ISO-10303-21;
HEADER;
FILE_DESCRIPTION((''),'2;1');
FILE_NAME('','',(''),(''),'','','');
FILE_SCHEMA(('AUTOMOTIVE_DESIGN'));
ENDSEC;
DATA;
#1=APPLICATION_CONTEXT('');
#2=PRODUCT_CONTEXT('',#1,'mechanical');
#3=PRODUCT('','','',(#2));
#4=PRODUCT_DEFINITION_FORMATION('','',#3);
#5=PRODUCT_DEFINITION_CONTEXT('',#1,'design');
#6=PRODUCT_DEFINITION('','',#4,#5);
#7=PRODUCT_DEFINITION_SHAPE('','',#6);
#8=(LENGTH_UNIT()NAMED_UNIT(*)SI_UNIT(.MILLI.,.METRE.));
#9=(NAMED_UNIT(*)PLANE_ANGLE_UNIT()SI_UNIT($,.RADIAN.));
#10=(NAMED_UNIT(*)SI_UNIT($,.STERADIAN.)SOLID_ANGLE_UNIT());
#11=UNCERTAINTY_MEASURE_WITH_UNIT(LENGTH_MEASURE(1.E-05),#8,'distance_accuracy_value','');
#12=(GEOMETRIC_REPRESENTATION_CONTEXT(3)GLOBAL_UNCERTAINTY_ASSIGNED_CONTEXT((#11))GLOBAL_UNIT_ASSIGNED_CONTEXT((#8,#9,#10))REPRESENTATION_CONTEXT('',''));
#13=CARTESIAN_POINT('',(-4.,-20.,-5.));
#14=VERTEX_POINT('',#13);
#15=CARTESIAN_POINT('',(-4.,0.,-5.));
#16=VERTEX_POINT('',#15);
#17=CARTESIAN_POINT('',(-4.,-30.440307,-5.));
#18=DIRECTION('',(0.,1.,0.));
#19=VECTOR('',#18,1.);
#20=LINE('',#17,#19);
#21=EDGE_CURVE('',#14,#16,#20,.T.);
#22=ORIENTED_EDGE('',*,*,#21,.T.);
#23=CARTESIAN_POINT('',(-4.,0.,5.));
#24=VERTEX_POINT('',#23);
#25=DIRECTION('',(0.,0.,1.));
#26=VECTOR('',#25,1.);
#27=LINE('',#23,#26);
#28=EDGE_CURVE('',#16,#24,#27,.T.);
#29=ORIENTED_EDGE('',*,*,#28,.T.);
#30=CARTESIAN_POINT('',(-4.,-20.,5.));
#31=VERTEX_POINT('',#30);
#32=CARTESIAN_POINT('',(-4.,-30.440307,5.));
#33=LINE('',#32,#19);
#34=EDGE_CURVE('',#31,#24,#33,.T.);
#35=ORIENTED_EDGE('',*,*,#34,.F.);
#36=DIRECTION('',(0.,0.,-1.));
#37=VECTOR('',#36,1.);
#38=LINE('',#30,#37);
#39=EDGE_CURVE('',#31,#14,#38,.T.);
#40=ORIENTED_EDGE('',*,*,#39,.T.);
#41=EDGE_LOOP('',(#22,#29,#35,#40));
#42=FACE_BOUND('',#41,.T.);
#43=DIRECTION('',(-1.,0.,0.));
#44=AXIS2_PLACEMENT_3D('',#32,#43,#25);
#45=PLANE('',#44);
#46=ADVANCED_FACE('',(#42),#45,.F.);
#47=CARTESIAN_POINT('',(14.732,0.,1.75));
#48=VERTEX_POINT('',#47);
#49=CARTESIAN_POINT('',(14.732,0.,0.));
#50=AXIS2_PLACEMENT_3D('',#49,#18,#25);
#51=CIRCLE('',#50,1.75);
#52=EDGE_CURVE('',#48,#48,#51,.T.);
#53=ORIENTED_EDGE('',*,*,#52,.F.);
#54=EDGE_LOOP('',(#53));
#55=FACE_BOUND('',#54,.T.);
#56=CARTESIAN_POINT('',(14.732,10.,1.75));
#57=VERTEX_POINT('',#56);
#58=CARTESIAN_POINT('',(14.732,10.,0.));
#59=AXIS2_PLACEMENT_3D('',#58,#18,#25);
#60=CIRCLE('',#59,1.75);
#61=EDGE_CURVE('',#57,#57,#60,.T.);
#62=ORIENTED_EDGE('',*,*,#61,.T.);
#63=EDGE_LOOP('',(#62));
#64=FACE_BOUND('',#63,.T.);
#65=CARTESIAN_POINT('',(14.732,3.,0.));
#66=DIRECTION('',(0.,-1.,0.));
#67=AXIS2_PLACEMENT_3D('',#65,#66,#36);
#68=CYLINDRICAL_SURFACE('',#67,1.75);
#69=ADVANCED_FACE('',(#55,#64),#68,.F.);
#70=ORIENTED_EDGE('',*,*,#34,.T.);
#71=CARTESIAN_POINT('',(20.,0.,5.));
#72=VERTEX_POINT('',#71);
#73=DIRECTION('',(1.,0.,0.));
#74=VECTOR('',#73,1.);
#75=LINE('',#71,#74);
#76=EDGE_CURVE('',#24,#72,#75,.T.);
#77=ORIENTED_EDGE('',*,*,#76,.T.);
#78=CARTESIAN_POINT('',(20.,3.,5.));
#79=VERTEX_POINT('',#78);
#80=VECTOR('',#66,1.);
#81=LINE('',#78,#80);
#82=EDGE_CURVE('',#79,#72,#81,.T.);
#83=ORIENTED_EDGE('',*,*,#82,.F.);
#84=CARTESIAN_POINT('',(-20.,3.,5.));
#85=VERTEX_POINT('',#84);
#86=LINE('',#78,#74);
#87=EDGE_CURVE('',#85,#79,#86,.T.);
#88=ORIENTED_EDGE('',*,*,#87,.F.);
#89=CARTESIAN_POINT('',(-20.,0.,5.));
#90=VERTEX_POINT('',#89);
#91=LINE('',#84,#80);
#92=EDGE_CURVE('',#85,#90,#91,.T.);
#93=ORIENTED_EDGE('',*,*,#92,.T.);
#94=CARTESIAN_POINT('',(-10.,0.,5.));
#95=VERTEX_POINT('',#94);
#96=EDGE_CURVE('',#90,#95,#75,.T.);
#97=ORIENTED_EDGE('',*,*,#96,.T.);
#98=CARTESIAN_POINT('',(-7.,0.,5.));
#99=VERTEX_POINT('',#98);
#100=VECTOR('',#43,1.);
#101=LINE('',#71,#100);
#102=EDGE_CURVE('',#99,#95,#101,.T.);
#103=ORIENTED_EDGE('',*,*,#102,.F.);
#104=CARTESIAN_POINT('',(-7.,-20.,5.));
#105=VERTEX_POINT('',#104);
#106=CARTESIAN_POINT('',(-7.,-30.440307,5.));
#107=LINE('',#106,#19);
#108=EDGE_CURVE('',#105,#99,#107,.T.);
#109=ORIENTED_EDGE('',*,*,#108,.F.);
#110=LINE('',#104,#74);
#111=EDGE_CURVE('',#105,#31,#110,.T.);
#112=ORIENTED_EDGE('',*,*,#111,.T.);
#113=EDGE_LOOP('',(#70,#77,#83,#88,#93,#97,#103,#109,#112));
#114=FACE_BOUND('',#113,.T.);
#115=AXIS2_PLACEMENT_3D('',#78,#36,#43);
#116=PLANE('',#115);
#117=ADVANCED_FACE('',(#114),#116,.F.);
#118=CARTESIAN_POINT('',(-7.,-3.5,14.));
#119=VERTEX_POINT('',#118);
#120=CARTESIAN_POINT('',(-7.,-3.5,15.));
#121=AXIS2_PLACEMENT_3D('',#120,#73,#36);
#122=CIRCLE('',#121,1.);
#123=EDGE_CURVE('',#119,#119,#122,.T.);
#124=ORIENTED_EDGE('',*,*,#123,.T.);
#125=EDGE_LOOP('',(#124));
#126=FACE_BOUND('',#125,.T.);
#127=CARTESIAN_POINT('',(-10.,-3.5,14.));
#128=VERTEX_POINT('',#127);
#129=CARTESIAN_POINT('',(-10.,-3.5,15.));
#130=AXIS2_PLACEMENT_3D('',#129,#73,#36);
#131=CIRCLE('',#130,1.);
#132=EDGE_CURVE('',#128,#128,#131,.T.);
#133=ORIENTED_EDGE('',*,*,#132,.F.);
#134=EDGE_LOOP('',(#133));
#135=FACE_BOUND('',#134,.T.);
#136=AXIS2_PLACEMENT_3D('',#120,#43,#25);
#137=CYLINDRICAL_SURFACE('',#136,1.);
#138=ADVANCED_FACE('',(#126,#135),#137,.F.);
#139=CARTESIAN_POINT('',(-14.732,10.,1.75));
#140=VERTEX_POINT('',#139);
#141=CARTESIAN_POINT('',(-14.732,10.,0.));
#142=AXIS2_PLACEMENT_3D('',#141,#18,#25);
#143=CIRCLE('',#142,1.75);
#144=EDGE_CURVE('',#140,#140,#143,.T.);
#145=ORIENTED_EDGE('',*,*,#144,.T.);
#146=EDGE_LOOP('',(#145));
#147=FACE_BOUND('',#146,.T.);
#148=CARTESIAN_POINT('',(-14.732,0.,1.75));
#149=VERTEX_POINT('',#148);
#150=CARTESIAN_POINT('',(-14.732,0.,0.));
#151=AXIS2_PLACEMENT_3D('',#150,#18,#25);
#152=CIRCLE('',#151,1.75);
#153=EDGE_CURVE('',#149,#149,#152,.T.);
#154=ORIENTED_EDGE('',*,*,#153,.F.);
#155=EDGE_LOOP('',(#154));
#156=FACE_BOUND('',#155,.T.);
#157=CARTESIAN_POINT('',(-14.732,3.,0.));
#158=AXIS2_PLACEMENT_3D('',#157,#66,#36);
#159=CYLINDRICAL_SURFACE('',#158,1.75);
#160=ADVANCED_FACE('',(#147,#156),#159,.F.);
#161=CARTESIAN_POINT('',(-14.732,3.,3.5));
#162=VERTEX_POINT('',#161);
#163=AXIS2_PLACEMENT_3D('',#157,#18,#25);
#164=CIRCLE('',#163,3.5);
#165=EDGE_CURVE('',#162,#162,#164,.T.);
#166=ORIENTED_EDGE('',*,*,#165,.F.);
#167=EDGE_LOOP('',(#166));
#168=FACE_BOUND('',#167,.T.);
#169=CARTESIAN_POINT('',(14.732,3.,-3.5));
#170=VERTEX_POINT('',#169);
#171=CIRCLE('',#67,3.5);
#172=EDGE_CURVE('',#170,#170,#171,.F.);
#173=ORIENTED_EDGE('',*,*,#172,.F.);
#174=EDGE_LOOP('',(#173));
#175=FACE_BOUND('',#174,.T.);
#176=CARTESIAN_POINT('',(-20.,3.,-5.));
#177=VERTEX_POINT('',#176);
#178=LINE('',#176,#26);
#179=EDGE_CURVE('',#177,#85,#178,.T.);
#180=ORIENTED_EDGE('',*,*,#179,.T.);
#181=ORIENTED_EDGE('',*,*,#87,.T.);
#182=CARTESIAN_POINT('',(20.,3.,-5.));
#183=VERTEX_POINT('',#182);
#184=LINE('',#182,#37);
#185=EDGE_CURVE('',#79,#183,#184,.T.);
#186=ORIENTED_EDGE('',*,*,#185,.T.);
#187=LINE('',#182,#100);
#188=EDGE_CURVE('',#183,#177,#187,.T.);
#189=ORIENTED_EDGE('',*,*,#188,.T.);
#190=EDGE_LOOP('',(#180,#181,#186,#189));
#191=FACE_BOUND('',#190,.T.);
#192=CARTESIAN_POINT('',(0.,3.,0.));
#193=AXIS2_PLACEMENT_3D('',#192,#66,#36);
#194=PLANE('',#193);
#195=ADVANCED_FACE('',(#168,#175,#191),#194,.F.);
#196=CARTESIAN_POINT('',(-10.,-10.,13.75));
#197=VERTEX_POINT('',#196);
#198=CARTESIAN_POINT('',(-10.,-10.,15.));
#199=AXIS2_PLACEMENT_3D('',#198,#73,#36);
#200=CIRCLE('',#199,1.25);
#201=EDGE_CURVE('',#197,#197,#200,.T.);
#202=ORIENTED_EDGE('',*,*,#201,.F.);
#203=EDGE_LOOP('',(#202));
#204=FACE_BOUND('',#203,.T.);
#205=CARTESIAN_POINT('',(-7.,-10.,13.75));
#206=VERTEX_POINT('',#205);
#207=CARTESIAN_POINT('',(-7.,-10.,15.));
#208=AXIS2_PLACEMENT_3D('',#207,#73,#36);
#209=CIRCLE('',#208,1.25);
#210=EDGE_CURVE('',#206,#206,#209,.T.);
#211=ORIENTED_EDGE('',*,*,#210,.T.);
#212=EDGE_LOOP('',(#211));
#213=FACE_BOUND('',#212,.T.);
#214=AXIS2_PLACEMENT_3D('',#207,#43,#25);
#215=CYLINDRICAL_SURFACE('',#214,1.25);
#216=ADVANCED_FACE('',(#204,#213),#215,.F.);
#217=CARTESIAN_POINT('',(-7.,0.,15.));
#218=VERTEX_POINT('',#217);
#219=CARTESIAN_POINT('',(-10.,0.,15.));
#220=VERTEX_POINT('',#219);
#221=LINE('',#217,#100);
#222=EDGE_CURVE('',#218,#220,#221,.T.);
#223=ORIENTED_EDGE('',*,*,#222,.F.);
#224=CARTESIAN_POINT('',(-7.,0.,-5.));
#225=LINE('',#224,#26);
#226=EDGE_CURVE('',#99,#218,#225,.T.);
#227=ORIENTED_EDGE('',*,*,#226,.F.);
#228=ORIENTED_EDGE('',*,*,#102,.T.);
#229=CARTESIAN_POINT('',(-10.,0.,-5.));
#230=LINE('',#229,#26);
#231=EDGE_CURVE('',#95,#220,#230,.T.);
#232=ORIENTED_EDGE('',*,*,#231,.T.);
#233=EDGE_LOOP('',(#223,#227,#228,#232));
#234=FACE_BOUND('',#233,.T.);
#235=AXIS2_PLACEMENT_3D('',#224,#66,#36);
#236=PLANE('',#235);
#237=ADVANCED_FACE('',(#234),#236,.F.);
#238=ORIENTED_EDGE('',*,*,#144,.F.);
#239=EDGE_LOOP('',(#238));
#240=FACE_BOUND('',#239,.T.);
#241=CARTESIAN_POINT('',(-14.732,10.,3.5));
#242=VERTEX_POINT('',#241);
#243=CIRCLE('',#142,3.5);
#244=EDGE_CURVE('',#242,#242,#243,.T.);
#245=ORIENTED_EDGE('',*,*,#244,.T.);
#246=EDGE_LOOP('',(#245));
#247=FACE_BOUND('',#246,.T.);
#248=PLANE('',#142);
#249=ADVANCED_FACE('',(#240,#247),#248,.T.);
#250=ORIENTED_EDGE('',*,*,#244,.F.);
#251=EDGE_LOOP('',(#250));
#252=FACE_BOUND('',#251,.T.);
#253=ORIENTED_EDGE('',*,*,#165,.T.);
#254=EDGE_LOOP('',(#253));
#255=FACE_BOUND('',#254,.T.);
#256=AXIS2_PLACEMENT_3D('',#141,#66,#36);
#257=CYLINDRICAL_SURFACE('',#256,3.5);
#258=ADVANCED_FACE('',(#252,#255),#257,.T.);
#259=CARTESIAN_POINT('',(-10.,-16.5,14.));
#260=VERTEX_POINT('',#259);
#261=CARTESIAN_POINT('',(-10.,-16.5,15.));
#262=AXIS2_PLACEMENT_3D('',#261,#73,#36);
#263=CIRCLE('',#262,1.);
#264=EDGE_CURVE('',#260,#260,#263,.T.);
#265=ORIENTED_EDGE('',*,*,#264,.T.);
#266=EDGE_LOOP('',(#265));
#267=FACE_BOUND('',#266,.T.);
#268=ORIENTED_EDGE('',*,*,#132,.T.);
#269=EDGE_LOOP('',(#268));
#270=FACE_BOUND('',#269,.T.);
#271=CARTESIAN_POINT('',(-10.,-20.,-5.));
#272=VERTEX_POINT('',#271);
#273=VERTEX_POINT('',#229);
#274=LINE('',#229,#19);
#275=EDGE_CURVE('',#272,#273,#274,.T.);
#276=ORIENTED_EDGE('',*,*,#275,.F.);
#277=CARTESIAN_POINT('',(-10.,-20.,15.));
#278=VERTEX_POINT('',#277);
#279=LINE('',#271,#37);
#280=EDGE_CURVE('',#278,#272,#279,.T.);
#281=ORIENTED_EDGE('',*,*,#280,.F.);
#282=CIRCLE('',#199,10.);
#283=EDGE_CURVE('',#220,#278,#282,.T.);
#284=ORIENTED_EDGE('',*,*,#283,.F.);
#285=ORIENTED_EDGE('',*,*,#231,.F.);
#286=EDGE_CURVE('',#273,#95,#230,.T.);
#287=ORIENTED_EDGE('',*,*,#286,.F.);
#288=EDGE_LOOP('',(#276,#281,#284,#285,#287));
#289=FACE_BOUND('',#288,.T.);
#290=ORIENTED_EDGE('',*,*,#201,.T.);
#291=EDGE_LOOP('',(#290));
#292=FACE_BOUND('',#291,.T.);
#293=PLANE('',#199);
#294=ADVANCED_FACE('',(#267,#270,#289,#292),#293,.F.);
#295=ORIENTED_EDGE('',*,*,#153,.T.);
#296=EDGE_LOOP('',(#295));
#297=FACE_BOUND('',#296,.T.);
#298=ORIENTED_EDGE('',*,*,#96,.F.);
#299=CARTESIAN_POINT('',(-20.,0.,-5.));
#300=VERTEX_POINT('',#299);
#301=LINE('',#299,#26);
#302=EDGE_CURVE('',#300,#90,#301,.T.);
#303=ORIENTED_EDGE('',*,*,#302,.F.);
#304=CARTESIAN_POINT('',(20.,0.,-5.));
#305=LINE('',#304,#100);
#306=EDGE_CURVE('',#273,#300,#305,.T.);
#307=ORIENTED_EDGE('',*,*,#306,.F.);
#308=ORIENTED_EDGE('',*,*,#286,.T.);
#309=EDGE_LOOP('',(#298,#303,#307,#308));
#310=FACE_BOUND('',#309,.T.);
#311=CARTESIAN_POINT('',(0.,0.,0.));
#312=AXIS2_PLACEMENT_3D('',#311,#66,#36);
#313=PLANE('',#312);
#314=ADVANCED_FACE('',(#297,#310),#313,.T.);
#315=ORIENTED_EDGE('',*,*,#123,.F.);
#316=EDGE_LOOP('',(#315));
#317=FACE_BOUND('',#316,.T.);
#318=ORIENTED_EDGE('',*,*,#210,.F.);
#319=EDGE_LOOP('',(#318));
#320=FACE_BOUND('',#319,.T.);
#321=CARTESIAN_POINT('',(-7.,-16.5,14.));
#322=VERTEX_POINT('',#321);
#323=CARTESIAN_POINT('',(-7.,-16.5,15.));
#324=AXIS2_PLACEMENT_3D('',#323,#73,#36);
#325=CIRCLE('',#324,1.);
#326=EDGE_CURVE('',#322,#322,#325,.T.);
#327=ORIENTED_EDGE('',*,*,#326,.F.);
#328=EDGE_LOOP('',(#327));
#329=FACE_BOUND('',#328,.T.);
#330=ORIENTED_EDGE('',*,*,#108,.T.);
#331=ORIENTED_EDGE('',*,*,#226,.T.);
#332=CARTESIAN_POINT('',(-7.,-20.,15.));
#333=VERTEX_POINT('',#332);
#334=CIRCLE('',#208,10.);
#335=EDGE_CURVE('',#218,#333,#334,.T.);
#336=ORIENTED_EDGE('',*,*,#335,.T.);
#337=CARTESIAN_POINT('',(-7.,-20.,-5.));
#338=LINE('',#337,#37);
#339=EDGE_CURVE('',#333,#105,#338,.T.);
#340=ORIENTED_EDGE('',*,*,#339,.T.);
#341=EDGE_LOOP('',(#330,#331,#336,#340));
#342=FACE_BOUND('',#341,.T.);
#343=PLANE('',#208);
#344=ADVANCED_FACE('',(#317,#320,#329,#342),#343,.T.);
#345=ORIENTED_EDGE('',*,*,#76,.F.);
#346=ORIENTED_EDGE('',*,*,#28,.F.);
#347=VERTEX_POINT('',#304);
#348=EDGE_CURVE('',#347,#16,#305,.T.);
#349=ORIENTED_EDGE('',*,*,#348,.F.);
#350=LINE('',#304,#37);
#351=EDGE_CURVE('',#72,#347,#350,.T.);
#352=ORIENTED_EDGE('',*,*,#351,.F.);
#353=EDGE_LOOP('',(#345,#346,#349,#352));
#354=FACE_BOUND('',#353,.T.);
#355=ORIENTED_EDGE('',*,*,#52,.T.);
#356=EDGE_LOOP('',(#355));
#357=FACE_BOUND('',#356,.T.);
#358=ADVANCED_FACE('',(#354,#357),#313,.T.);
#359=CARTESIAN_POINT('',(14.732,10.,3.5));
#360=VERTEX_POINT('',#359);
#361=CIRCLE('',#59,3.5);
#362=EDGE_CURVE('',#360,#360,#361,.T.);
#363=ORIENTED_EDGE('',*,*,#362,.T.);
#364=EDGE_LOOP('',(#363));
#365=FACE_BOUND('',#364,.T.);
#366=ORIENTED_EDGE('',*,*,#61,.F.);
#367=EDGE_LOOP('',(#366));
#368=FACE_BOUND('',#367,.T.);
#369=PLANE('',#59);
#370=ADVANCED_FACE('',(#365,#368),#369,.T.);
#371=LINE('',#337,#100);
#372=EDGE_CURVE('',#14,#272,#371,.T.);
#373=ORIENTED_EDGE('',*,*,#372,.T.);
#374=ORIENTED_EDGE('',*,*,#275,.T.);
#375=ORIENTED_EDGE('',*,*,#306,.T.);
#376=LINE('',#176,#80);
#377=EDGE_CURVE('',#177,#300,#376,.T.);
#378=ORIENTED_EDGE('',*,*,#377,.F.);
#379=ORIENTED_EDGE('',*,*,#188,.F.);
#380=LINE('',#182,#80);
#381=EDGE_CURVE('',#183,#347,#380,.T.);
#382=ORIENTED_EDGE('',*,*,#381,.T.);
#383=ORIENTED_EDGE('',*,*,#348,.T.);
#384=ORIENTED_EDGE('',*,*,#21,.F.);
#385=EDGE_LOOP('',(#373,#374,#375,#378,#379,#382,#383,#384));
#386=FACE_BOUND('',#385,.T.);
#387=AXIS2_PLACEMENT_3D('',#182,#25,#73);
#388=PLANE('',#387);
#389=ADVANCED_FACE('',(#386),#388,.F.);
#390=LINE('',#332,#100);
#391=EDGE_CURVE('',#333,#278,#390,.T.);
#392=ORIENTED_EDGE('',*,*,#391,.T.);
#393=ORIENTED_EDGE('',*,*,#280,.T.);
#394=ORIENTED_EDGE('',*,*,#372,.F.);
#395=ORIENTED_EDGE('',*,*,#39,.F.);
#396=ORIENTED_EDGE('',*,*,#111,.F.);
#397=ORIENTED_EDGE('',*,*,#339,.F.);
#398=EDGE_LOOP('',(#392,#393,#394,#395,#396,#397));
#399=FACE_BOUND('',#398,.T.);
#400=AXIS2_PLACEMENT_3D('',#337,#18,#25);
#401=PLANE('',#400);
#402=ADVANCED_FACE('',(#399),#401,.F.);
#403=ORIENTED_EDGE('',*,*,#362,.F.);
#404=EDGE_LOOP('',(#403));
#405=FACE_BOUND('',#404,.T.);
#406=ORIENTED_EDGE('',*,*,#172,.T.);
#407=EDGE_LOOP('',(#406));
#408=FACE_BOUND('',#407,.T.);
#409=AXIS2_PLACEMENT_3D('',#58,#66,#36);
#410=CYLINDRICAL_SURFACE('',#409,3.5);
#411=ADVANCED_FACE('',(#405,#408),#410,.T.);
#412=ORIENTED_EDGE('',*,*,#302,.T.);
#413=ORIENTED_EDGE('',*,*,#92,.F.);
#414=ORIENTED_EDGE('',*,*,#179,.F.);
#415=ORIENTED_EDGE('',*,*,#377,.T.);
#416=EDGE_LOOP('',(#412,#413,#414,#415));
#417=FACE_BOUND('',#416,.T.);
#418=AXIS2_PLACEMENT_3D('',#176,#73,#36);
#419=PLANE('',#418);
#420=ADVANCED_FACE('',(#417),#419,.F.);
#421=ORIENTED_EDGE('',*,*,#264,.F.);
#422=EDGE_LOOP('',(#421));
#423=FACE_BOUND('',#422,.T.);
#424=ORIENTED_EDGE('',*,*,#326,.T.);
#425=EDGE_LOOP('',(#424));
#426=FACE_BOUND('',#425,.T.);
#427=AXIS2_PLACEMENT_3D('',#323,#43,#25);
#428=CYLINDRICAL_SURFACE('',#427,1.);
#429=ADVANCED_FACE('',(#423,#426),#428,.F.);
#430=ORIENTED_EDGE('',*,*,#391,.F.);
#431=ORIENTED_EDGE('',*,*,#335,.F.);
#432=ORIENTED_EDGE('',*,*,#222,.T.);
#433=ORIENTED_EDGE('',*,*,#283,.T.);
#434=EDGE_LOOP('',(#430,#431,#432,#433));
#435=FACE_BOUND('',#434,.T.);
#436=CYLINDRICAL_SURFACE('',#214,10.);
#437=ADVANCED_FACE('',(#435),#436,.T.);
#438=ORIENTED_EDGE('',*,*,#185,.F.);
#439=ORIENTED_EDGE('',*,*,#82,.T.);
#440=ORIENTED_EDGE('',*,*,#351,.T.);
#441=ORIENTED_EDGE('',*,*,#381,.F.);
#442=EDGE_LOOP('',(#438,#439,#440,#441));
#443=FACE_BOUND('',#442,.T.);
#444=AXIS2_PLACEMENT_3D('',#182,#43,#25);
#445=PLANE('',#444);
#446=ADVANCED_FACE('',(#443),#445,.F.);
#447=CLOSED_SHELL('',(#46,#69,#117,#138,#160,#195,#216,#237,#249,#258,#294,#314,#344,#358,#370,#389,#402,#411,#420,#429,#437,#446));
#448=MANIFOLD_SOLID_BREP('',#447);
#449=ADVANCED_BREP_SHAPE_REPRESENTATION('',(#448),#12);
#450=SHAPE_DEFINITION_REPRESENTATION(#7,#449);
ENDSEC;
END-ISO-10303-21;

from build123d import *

# Parameters (mm, degrees)
SKETCH_1_W      = 40
SKETCH_1_H      = 10
SKETCH_1_R      = 1.75
EXTRUDE_1_DEPTH = 3
EXTRUDE_START   = -10
SKETCH_2_R      = 1
SKETCH_2_R_2    = 1.25
EXTRUDE_2_DEPTH = 3
SKETCH_3_W      = 3
SKETCH_3_H      = 10
EXTRUDE_3_DEPTH = 20
SKETCH_4_R      = 3.5
SKETCH_4_R_2    = 1.75
EXTRUDE_4_DEPTH = 7


with BuildPart() as part:
    # 草图1 → 凸台-拉伸1 (new body)
    with BuildSketch(Plane(origin=(0, 0, 0), x_dir=(1, 0, 0), z_dir=(0, 1, 0))):
        Rectangle(SKETCH_1_W, SKETCH_1_H)
        with Locations(Location((-14.732, 0, 0), (0, 0, 270))):
            Circle(SKETCH_1_R, mode=Mode.SUBTRACT)
        with Locations(Location((14.732, 0, 0), (0, 0, 270))):
            Circle(SKETCH_1_R, mode=Mode.SUBTRACT)
    extrude(amount=EXTRUDE_1_DEPTH)

    # 草图2 → 凸台-拉伸2 (add)
    with BuildSketch(Plane(origin=(0, 0, 0), x_dir=(0, 0, -1), z_dir=(1, 0, 0)).offset(EXTRUDE_START)):
        with BuildLine():
            Line((5, 0), (-15, 0))
            ThreePointArc((-15, 0), (-25, -10), (-15, -20))
            Line((-15, -20), (5, -20))
            Line((5, -20), (5, 0))
        make_face()
        with Locations((-15, -3.5)):
            Circle(SKETCH_2_R, mode=Mode.SUBTRACT)
        with Locations((-15, -16.5)):
            Circle(SKETCH_2_R, mode=Mode.SUBTRACT)
        with Locations((-15, -10)):
            Circle(SKETCH_2_R_2, mode=Mode.SUBTRACT)
    extrude(amount=EXTRUDE_2_DEPTH)

    # 草图3 → 凸台-拉伸3 (add)
    with BuildSketch(Plane.XZ):
        with Locations((-5.5, 0)):
            Rectangle(SKETCH_3_W, SKETCH_3_H)
    extrude(amount=EXTRUDE_3_DEPTH)

    # 草图4 → 凸台-拉伸4 (add)
    # profile 1 of 2: a face of its own
    with BuildSketch(Plane(origin=(0, 3, 0), x_dir=(1, 0, 0), z_dir=(0, 1, 0))):
        with Locations(Location((-14.732, 0, 0), (0, 0, 270))):
            Circle(SKETCH_4_R)
        with Locations(Location((-14.732, 0, 0), (0, 0, 270))):
            Circle(SKETCH_4_R_2, mode=Mode.SUBTRACT)
    # profile 2 of 2: a face of its own
    with BuildSketch(Plane(origin=(0, 3, 0), x_dir=(1, 0, 0), z_dir=(0, 1, 0))):
        with Locations(Location((14.732, 0, 0), (0, 0, 90))):
            Circle(SKETCH_4_R)
        with Locations(Location((14.732, 0, 0), (0, 0, 270))):
            Circle(SKETCH_4_R_2, mode=Mode.SUBTRACT)
    extrude(amount=EXTRUDE_4_DEPTH)


solid = part.part
